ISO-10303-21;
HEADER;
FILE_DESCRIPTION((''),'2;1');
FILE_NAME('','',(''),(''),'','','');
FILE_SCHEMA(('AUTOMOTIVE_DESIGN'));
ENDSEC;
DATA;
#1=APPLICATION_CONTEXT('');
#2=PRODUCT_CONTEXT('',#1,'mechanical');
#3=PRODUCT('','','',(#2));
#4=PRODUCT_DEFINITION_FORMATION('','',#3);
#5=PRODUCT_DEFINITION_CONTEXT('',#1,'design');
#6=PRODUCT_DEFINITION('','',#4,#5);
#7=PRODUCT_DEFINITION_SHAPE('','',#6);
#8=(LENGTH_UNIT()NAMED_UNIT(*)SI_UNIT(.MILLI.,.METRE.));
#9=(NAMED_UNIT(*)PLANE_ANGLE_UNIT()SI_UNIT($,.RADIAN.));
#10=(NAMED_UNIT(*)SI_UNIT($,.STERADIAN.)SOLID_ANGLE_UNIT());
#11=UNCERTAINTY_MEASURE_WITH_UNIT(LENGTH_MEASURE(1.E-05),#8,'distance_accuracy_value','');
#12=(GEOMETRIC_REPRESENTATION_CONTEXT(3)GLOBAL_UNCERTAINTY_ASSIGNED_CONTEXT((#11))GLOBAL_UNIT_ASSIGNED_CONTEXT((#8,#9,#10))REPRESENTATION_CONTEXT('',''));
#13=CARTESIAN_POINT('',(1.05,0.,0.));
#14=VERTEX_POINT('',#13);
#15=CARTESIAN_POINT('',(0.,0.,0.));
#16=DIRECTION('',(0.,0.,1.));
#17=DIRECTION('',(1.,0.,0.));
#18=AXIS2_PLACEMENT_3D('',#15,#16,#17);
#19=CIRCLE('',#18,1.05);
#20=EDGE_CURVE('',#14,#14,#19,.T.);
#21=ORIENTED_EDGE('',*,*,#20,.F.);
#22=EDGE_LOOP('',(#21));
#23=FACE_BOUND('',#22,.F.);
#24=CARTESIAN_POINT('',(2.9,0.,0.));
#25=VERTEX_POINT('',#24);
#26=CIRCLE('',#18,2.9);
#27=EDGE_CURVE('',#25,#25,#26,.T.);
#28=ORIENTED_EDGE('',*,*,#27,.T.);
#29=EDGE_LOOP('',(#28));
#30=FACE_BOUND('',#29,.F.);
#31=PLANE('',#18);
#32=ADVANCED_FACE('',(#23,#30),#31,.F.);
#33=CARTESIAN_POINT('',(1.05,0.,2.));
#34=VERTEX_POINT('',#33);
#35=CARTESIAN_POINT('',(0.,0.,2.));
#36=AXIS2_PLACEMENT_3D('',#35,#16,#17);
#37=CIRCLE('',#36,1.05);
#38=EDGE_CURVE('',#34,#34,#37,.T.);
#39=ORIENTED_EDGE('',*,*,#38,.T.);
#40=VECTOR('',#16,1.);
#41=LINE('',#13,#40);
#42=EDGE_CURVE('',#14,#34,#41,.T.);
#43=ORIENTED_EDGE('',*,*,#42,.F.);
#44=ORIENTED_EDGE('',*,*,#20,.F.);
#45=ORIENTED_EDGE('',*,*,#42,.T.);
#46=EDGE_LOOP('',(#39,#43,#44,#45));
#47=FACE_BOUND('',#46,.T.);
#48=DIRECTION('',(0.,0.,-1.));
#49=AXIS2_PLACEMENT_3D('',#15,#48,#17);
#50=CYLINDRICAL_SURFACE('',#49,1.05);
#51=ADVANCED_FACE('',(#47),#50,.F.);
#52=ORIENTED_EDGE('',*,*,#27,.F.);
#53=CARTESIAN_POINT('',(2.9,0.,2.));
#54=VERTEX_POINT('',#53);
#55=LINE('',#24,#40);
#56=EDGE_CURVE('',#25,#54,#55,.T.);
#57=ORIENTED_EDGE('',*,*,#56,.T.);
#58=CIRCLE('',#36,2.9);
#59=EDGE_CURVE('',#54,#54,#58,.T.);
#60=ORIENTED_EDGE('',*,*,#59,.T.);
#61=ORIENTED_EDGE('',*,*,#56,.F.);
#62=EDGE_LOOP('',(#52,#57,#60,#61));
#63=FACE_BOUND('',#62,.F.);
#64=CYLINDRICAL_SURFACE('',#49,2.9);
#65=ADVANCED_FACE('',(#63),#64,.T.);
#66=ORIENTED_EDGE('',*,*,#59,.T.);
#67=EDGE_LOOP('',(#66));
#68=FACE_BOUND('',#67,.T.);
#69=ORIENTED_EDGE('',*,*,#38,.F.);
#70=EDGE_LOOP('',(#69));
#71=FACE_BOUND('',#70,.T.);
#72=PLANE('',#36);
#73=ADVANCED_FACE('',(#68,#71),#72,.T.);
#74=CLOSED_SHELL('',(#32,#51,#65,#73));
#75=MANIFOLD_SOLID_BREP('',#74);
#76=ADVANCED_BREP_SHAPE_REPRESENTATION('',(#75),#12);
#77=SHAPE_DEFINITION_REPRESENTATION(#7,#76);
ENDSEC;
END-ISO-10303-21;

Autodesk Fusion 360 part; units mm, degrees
sketch "Skizze1" plane through (0, 0, 0) normal (0, 0, 1) x (1, 0, 0)
  circle A0 centre (0, 0) radius 2.9
  circle A1 centre (0, 0) radius 1.05
  dimension "d1" = 5.8
  dimension "d2" = 2.1
extrude "Extrusion1" add sketch "Skizze1" along normal blind 2
